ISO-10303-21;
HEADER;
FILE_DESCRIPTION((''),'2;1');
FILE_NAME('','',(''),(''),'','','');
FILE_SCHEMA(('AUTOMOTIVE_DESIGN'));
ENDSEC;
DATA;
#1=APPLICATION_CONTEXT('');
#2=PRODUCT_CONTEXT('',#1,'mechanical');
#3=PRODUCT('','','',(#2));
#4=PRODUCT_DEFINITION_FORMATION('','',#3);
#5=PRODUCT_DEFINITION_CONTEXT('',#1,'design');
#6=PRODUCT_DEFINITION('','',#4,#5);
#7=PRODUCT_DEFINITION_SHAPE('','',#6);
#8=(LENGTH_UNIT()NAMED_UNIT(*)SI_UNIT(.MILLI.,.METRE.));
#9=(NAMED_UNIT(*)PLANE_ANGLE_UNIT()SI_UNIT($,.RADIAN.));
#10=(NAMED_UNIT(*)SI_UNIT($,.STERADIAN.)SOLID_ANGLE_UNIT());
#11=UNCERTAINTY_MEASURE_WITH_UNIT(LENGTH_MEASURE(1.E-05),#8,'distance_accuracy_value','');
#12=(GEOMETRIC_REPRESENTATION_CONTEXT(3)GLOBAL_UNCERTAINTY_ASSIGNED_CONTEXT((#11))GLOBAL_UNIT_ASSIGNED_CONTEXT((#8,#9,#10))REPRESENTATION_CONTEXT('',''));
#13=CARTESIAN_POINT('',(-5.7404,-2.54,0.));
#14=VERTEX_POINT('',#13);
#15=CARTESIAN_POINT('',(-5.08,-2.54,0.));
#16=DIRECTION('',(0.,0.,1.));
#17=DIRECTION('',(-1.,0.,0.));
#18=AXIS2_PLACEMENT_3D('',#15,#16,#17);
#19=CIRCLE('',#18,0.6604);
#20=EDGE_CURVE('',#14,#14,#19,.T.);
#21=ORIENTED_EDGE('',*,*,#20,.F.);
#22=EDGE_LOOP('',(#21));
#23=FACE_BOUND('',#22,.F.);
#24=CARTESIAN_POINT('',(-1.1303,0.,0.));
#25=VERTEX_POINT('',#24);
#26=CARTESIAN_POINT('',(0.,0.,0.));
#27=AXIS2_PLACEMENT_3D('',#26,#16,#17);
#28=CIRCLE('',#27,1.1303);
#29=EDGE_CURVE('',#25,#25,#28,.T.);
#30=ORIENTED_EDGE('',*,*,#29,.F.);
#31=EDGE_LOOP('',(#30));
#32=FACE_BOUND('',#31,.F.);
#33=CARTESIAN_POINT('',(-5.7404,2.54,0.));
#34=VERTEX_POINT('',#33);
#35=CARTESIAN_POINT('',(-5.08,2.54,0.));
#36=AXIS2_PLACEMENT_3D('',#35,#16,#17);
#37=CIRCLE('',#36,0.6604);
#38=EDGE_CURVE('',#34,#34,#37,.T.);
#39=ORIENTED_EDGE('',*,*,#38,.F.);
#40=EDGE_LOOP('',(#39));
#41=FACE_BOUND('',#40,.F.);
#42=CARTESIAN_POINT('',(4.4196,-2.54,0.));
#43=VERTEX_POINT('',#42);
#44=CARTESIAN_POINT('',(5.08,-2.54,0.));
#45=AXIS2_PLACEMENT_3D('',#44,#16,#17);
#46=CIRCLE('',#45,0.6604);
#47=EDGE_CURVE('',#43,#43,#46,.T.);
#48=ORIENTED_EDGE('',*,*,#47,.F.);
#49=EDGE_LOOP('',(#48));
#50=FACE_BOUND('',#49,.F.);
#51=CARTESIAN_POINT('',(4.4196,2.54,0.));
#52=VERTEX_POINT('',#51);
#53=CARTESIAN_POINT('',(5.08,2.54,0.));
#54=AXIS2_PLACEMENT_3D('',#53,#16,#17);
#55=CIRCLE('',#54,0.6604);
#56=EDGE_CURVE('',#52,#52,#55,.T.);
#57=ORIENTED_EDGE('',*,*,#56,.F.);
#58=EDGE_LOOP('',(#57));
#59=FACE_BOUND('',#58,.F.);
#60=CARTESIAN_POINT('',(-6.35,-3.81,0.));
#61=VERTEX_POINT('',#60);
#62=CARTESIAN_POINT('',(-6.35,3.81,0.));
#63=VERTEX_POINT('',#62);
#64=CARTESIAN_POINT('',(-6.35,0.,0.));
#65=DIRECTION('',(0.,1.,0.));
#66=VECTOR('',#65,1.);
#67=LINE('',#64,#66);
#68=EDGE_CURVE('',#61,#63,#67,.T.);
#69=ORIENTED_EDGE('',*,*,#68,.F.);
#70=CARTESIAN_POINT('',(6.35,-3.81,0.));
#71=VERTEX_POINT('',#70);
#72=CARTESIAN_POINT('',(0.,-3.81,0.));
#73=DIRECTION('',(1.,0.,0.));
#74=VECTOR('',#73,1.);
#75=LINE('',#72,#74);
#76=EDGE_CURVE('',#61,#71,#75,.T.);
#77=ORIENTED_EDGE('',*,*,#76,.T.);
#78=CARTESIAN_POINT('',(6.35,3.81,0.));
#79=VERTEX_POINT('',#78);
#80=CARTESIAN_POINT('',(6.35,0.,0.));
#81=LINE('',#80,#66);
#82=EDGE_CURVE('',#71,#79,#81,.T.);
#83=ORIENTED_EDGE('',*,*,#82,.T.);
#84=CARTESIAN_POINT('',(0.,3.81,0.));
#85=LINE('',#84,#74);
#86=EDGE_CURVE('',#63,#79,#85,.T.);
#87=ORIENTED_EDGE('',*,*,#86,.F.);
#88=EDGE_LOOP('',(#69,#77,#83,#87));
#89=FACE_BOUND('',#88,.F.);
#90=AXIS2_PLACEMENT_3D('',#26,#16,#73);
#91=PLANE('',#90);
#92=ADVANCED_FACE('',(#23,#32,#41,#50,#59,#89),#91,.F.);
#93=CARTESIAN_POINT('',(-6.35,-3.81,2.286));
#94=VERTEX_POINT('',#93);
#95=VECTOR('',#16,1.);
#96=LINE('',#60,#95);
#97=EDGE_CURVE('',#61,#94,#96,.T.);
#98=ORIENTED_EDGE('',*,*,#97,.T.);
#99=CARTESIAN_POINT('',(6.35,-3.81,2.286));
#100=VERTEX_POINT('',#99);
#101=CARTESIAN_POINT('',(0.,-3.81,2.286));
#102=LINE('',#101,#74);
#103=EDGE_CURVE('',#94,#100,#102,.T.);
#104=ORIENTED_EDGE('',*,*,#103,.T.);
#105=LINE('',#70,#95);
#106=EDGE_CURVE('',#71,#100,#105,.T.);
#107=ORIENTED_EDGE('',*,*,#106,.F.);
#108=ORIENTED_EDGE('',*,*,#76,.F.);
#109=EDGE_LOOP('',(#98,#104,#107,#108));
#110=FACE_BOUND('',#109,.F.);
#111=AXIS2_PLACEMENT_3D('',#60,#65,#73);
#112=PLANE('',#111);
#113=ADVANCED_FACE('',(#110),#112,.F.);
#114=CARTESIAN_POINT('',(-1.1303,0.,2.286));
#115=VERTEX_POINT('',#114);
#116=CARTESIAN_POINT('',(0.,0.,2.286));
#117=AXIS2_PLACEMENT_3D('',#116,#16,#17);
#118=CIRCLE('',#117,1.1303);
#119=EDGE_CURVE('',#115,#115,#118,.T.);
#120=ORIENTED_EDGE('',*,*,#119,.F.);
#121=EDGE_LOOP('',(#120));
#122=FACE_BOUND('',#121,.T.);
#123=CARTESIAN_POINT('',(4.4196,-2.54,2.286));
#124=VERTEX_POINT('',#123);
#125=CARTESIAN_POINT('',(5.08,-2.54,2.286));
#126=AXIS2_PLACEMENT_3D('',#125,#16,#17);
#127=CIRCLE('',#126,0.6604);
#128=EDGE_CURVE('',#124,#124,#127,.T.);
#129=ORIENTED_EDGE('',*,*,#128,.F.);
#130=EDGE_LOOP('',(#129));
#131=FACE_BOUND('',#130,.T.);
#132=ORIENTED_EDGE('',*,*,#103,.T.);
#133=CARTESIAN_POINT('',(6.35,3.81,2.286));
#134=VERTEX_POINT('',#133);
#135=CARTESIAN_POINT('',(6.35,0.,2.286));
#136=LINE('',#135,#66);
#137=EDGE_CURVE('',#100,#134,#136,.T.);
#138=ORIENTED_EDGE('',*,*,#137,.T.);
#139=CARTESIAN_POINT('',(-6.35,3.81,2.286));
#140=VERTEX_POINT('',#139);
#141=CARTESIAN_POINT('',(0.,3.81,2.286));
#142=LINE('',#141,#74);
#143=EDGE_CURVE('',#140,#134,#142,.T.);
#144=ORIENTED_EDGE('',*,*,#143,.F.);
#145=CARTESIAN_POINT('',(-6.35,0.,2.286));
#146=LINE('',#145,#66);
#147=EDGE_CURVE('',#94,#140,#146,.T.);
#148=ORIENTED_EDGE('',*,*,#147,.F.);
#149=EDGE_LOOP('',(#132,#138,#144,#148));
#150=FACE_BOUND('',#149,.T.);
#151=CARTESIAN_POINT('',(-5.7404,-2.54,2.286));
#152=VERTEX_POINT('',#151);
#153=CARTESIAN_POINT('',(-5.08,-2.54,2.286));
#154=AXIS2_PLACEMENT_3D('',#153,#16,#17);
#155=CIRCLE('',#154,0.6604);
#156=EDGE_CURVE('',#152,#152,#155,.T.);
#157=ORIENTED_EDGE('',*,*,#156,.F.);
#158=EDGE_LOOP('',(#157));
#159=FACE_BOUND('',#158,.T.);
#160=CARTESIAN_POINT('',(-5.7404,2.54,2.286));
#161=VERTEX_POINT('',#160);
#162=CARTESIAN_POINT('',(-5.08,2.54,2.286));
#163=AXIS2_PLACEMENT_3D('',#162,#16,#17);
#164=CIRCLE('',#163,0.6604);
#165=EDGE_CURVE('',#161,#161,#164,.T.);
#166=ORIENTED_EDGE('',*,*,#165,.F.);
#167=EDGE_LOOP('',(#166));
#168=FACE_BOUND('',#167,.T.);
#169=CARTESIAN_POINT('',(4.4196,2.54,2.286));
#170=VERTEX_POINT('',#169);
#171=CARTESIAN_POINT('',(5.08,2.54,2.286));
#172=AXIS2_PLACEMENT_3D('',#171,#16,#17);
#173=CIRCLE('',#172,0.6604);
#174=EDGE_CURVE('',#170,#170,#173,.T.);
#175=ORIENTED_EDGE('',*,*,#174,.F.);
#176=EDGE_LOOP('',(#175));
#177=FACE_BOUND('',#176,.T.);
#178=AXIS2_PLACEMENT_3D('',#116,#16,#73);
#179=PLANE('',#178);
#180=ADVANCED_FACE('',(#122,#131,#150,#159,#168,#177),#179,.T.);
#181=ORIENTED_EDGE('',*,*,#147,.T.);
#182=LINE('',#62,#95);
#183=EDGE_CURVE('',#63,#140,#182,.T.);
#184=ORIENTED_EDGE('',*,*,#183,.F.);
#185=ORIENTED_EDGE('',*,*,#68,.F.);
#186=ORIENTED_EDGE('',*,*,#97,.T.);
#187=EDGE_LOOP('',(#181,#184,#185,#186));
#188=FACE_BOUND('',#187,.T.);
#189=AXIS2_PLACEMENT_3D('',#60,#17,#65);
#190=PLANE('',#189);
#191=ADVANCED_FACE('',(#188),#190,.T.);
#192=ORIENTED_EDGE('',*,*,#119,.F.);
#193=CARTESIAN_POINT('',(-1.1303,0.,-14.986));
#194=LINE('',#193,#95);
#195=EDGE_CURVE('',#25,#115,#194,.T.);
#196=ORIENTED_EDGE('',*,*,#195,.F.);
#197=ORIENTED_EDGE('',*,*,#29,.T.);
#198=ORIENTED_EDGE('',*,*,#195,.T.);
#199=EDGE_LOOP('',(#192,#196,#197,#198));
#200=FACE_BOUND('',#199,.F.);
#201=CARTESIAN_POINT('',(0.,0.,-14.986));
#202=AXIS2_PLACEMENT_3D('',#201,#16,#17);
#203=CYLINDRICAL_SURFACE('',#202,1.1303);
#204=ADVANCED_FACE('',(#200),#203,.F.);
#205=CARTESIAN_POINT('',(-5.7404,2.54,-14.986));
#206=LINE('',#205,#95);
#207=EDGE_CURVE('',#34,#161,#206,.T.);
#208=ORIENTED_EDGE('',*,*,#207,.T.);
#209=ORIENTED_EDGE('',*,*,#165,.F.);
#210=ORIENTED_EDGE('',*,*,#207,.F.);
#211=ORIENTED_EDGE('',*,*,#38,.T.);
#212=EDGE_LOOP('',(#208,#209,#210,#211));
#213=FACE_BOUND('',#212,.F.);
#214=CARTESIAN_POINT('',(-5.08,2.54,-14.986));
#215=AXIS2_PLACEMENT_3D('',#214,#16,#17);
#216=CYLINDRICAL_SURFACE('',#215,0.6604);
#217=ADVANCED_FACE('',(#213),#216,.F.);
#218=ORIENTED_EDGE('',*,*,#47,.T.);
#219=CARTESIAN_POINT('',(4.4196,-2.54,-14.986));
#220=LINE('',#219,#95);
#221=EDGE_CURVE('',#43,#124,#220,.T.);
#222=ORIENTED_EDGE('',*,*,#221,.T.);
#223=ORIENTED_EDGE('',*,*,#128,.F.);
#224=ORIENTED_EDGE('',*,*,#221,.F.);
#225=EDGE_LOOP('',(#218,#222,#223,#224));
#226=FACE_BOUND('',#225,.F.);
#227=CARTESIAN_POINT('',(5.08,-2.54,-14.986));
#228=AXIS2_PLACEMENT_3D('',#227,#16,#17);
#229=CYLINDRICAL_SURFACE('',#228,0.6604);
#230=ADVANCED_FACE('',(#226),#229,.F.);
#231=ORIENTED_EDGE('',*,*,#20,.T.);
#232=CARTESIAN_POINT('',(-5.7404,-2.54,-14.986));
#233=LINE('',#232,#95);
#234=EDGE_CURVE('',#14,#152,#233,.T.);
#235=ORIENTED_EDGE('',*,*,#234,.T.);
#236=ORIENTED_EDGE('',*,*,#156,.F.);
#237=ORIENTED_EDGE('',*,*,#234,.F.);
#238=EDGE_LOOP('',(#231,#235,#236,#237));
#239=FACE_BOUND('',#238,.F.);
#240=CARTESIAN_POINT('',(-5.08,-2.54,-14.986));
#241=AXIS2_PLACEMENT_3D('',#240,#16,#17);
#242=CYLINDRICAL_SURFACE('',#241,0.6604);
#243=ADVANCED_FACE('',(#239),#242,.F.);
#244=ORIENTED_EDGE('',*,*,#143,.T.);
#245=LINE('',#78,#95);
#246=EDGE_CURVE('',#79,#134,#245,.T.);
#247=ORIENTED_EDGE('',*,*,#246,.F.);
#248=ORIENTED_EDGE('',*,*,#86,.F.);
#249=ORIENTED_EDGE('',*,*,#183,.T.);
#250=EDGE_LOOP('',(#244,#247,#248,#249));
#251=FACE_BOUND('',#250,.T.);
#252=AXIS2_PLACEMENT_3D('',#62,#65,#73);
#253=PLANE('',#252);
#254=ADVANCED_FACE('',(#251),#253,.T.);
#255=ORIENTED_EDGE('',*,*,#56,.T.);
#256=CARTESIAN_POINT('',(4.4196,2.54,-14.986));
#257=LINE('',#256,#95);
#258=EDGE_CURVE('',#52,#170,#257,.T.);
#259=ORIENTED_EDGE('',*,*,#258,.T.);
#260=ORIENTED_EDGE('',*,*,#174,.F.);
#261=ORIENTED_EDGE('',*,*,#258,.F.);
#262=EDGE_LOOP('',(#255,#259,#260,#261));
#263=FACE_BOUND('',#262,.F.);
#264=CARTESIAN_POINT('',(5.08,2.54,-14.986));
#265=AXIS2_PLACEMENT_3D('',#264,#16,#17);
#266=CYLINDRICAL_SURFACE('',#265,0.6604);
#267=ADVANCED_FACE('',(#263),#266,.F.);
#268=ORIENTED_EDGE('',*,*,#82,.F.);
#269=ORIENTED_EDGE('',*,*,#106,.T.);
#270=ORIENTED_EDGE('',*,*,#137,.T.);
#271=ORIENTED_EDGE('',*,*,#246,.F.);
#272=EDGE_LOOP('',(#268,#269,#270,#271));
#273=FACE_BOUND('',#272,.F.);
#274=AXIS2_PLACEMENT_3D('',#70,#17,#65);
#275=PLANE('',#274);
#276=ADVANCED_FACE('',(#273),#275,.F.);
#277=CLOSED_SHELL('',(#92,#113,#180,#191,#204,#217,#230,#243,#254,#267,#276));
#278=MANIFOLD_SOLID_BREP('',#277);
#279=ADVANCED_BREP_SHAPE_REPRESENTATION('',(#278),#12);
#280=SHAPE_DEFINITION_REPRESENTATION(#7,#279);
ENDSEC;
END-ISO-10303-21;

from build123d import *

# Parameters (mm, degrees)
F0_W     = 12.7
F0_H     = 7.62
F0_W_2   = 10.16
F0_H_2   = 5.08
F1_DEPTH = 2.286
F2_D     = 1.3208
F3_D     = 2.2606


with BuildPart() as f1:
    # F0 (on Top) → F1 (new body)
    with BuildSketch(Plane.XY):
        Rectangle(F0_W, F0_H)
        Rectangle(F0_W_2, F0_H_2, mode=Mode.SUBTRACT)
        Rectangle(F0_W_2, F0_H_2)
    extrude(amount=F1_DEPTH)

    # F2 (through all)
    with Locations(Plane(origin=(0, 0, 0), x_dir=(1, 0, 0), z_dir=(0, 0, -1))):
        with Locations((-5.08, -2.54), (5.08, -2.54), (5.08, 2.54), (-5.08, 2.54)):
            Hole(F2_D / 2)

    # F3 (through all)
    with Locations(Plane(origin=(0, 0, 0), x_dir=(1, 0, 0), z_dir=(0, 0, -1))):
        with Locations((0, 0)):
            Hole(F3_D / 2)


solid = f1.part
